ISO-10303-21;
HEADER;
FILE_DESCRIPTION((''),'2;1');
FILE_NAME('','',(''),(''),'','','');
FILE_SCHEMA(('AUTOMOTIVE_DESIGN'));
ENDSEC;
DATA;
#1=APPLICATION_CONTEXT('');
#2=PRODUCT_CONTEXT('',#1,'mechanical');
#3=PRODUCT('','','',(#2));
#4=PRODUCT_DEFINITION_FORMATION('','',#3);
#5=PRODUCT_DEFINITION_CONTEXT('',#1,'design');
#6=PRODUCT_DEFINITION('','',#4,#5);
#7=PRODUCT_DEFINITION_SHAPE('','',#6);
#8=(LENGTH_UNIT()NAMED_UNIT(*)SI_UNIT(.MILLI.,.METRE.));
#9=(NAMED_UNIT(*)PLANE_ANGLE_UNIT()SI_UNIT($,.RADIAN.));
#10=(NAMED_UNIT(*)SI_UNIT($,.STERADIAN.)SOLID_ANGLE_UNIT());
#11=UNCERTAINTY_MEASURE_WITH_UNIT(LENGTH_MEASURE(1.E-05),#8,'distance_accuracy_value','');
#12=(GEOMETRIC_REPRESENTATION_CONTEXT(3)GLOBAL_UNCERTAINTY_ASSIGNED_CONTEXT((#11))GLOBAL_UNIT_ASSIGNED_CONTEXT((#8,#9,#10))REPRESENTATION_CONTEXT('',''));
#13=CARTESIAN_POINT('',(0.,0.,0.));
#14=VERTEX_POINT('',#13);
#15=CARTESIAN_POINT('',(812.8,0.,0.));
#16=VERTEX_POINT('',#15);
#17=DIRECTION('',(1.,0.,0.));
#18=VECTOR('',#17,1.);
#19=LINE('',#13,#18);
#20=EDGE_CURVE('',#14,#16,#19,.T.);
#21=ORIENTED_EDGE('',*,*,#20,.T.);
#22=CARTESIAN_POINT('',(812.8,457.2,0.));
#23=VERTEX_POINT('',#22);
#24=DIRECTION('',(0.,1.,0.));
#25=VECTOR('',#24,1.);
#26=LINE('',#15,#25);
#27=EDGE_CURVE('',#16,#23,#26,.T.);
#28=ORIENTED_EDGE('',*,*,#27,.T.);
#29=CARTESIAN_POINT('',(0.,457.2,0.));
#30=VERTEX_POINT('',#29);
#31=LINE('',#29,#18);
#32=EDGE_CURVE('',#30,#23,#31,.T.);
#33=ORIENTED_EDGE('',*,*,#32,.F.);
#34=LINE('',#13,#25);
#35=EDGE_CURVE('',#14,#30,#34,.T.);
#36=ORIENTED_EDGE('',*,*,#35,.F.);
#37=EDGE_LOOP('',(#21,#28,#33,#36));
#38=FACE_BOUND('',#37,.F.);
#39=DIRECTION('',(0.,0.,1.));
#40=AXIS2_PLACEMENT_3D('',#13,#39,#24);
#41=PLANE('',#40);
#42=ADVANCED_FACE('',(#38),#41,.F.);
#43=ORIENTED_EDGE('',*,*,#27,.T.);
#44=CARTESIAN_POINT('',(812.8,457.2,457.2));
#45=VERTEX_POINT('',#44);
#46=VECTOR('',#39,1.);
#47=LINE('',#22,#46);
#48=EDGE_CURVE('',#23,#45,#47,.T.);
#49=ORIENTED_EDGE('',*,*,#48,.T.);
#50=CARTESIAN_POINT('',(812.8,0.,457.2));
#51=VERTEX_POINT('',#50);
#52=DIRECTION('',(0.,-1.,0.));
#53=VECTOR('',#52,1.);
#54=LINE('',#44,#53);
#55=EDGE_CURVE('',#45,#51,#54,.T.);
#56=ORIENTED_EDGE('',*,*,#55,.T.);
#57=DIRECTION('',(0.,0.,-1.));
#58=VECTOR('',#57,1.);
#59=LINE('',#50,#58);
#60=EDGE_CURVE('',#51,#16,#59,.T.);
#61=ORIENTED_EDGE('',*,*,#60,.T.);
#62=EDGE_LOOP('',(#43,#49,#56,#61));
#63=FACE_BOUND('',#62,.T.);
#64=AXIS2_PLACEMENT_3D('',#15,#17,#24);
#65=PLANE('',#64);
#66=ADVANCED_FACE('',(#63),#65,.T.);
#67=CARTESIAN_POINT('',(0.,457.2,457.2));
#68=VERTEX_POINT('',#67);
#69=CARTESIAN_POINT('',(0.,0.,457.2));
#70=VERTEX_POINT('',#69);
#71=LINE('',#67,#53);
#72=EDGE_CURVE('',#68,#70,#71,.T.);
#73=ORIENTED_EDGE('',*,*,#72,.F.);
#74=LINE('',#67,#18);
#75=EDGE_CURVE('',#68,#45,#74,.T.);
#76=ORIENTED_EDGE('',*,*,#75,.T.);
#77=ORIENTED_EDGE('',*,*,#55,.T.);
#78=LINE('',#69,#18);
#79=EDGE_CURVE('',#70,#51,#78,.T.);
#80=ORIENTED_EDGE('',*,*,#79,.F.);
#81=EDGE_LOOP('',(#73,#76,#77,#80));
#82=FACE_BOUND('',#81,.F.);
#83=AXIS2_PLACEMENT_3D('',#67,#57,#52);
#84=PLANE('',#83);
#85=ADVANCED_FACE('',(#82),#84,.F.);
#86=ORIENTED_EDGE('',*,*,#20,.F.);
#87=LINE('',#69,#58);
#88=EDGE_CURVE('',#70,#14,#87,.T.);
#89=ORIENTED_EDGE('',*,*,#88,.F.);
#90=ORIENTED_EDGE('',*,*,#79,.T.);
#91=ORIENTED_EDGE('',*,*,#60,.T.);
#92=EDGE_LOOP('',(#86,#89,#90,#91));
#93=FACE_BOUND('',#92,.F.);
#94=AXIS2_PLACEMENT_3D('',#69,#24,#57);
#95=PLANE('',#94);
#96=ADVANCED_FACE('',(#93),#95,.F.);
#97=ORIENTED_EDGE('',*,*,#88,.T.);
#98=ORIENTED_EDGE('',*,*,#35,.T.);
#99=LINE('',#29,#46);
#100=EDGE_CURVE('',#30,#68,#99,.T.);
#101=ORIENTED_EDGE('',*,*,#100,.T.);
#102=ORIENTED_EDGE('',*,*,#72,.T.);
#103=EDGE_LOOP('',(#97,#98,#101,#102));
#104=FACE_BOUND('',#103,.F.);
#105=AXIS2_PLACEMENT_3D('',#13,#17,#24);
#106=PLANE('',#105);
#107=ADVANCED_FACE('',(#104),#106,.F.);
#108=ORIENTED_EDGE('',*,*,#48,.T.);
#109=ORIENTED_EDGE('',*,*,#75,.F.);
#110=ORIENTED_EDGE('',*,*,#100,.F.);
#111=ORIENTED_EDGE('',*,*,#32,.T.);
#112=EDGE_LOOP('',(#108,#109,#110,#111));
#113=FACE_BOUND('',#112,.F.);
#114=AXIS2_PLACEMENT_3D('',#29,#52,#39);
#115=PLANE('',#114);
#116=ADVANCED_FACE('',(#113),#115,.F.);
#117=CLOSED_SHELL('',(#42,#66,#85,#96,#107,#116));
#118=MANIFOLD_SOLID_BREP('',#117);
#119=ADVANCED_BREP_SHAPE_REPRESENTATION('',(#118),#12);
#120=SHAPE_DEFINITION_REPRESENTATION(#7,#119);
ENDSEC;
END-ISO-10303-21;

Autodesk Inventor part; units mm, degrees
ref_plane "YZ Plane" through (0, 0, 0) normal (1, 0, 0) x (0, 1, 0)
ref_plane "XZ Plane" through (0, 0, 0) normal (0, 1, 0) x (-1, 0, 0)
ref_plane "XY Plane" through (0, 0, 0) normal (0, 0, 1) x (1, 0, 0)
sketch "Sketch1" plane through (0, 0, 0) normal (1, 0, 0) x (0, 1, 0)
  line L0 (0, 0) -> (457.2, 0)
  line L1 (457.2, 0) -> (457.2, 457.2)
  line L2 (457.2, 457.2) -> (0, 457.2)
  line L3 (0, 457.2) -> (0, 0)
  dimension "d0" = 457.2
  dimension "d1" = 457.2
extrude "Extrusion1" add sketch "Sketch1" along normal blind 812.8
properties part number "Standart - Seat Block" material "Limestone"
